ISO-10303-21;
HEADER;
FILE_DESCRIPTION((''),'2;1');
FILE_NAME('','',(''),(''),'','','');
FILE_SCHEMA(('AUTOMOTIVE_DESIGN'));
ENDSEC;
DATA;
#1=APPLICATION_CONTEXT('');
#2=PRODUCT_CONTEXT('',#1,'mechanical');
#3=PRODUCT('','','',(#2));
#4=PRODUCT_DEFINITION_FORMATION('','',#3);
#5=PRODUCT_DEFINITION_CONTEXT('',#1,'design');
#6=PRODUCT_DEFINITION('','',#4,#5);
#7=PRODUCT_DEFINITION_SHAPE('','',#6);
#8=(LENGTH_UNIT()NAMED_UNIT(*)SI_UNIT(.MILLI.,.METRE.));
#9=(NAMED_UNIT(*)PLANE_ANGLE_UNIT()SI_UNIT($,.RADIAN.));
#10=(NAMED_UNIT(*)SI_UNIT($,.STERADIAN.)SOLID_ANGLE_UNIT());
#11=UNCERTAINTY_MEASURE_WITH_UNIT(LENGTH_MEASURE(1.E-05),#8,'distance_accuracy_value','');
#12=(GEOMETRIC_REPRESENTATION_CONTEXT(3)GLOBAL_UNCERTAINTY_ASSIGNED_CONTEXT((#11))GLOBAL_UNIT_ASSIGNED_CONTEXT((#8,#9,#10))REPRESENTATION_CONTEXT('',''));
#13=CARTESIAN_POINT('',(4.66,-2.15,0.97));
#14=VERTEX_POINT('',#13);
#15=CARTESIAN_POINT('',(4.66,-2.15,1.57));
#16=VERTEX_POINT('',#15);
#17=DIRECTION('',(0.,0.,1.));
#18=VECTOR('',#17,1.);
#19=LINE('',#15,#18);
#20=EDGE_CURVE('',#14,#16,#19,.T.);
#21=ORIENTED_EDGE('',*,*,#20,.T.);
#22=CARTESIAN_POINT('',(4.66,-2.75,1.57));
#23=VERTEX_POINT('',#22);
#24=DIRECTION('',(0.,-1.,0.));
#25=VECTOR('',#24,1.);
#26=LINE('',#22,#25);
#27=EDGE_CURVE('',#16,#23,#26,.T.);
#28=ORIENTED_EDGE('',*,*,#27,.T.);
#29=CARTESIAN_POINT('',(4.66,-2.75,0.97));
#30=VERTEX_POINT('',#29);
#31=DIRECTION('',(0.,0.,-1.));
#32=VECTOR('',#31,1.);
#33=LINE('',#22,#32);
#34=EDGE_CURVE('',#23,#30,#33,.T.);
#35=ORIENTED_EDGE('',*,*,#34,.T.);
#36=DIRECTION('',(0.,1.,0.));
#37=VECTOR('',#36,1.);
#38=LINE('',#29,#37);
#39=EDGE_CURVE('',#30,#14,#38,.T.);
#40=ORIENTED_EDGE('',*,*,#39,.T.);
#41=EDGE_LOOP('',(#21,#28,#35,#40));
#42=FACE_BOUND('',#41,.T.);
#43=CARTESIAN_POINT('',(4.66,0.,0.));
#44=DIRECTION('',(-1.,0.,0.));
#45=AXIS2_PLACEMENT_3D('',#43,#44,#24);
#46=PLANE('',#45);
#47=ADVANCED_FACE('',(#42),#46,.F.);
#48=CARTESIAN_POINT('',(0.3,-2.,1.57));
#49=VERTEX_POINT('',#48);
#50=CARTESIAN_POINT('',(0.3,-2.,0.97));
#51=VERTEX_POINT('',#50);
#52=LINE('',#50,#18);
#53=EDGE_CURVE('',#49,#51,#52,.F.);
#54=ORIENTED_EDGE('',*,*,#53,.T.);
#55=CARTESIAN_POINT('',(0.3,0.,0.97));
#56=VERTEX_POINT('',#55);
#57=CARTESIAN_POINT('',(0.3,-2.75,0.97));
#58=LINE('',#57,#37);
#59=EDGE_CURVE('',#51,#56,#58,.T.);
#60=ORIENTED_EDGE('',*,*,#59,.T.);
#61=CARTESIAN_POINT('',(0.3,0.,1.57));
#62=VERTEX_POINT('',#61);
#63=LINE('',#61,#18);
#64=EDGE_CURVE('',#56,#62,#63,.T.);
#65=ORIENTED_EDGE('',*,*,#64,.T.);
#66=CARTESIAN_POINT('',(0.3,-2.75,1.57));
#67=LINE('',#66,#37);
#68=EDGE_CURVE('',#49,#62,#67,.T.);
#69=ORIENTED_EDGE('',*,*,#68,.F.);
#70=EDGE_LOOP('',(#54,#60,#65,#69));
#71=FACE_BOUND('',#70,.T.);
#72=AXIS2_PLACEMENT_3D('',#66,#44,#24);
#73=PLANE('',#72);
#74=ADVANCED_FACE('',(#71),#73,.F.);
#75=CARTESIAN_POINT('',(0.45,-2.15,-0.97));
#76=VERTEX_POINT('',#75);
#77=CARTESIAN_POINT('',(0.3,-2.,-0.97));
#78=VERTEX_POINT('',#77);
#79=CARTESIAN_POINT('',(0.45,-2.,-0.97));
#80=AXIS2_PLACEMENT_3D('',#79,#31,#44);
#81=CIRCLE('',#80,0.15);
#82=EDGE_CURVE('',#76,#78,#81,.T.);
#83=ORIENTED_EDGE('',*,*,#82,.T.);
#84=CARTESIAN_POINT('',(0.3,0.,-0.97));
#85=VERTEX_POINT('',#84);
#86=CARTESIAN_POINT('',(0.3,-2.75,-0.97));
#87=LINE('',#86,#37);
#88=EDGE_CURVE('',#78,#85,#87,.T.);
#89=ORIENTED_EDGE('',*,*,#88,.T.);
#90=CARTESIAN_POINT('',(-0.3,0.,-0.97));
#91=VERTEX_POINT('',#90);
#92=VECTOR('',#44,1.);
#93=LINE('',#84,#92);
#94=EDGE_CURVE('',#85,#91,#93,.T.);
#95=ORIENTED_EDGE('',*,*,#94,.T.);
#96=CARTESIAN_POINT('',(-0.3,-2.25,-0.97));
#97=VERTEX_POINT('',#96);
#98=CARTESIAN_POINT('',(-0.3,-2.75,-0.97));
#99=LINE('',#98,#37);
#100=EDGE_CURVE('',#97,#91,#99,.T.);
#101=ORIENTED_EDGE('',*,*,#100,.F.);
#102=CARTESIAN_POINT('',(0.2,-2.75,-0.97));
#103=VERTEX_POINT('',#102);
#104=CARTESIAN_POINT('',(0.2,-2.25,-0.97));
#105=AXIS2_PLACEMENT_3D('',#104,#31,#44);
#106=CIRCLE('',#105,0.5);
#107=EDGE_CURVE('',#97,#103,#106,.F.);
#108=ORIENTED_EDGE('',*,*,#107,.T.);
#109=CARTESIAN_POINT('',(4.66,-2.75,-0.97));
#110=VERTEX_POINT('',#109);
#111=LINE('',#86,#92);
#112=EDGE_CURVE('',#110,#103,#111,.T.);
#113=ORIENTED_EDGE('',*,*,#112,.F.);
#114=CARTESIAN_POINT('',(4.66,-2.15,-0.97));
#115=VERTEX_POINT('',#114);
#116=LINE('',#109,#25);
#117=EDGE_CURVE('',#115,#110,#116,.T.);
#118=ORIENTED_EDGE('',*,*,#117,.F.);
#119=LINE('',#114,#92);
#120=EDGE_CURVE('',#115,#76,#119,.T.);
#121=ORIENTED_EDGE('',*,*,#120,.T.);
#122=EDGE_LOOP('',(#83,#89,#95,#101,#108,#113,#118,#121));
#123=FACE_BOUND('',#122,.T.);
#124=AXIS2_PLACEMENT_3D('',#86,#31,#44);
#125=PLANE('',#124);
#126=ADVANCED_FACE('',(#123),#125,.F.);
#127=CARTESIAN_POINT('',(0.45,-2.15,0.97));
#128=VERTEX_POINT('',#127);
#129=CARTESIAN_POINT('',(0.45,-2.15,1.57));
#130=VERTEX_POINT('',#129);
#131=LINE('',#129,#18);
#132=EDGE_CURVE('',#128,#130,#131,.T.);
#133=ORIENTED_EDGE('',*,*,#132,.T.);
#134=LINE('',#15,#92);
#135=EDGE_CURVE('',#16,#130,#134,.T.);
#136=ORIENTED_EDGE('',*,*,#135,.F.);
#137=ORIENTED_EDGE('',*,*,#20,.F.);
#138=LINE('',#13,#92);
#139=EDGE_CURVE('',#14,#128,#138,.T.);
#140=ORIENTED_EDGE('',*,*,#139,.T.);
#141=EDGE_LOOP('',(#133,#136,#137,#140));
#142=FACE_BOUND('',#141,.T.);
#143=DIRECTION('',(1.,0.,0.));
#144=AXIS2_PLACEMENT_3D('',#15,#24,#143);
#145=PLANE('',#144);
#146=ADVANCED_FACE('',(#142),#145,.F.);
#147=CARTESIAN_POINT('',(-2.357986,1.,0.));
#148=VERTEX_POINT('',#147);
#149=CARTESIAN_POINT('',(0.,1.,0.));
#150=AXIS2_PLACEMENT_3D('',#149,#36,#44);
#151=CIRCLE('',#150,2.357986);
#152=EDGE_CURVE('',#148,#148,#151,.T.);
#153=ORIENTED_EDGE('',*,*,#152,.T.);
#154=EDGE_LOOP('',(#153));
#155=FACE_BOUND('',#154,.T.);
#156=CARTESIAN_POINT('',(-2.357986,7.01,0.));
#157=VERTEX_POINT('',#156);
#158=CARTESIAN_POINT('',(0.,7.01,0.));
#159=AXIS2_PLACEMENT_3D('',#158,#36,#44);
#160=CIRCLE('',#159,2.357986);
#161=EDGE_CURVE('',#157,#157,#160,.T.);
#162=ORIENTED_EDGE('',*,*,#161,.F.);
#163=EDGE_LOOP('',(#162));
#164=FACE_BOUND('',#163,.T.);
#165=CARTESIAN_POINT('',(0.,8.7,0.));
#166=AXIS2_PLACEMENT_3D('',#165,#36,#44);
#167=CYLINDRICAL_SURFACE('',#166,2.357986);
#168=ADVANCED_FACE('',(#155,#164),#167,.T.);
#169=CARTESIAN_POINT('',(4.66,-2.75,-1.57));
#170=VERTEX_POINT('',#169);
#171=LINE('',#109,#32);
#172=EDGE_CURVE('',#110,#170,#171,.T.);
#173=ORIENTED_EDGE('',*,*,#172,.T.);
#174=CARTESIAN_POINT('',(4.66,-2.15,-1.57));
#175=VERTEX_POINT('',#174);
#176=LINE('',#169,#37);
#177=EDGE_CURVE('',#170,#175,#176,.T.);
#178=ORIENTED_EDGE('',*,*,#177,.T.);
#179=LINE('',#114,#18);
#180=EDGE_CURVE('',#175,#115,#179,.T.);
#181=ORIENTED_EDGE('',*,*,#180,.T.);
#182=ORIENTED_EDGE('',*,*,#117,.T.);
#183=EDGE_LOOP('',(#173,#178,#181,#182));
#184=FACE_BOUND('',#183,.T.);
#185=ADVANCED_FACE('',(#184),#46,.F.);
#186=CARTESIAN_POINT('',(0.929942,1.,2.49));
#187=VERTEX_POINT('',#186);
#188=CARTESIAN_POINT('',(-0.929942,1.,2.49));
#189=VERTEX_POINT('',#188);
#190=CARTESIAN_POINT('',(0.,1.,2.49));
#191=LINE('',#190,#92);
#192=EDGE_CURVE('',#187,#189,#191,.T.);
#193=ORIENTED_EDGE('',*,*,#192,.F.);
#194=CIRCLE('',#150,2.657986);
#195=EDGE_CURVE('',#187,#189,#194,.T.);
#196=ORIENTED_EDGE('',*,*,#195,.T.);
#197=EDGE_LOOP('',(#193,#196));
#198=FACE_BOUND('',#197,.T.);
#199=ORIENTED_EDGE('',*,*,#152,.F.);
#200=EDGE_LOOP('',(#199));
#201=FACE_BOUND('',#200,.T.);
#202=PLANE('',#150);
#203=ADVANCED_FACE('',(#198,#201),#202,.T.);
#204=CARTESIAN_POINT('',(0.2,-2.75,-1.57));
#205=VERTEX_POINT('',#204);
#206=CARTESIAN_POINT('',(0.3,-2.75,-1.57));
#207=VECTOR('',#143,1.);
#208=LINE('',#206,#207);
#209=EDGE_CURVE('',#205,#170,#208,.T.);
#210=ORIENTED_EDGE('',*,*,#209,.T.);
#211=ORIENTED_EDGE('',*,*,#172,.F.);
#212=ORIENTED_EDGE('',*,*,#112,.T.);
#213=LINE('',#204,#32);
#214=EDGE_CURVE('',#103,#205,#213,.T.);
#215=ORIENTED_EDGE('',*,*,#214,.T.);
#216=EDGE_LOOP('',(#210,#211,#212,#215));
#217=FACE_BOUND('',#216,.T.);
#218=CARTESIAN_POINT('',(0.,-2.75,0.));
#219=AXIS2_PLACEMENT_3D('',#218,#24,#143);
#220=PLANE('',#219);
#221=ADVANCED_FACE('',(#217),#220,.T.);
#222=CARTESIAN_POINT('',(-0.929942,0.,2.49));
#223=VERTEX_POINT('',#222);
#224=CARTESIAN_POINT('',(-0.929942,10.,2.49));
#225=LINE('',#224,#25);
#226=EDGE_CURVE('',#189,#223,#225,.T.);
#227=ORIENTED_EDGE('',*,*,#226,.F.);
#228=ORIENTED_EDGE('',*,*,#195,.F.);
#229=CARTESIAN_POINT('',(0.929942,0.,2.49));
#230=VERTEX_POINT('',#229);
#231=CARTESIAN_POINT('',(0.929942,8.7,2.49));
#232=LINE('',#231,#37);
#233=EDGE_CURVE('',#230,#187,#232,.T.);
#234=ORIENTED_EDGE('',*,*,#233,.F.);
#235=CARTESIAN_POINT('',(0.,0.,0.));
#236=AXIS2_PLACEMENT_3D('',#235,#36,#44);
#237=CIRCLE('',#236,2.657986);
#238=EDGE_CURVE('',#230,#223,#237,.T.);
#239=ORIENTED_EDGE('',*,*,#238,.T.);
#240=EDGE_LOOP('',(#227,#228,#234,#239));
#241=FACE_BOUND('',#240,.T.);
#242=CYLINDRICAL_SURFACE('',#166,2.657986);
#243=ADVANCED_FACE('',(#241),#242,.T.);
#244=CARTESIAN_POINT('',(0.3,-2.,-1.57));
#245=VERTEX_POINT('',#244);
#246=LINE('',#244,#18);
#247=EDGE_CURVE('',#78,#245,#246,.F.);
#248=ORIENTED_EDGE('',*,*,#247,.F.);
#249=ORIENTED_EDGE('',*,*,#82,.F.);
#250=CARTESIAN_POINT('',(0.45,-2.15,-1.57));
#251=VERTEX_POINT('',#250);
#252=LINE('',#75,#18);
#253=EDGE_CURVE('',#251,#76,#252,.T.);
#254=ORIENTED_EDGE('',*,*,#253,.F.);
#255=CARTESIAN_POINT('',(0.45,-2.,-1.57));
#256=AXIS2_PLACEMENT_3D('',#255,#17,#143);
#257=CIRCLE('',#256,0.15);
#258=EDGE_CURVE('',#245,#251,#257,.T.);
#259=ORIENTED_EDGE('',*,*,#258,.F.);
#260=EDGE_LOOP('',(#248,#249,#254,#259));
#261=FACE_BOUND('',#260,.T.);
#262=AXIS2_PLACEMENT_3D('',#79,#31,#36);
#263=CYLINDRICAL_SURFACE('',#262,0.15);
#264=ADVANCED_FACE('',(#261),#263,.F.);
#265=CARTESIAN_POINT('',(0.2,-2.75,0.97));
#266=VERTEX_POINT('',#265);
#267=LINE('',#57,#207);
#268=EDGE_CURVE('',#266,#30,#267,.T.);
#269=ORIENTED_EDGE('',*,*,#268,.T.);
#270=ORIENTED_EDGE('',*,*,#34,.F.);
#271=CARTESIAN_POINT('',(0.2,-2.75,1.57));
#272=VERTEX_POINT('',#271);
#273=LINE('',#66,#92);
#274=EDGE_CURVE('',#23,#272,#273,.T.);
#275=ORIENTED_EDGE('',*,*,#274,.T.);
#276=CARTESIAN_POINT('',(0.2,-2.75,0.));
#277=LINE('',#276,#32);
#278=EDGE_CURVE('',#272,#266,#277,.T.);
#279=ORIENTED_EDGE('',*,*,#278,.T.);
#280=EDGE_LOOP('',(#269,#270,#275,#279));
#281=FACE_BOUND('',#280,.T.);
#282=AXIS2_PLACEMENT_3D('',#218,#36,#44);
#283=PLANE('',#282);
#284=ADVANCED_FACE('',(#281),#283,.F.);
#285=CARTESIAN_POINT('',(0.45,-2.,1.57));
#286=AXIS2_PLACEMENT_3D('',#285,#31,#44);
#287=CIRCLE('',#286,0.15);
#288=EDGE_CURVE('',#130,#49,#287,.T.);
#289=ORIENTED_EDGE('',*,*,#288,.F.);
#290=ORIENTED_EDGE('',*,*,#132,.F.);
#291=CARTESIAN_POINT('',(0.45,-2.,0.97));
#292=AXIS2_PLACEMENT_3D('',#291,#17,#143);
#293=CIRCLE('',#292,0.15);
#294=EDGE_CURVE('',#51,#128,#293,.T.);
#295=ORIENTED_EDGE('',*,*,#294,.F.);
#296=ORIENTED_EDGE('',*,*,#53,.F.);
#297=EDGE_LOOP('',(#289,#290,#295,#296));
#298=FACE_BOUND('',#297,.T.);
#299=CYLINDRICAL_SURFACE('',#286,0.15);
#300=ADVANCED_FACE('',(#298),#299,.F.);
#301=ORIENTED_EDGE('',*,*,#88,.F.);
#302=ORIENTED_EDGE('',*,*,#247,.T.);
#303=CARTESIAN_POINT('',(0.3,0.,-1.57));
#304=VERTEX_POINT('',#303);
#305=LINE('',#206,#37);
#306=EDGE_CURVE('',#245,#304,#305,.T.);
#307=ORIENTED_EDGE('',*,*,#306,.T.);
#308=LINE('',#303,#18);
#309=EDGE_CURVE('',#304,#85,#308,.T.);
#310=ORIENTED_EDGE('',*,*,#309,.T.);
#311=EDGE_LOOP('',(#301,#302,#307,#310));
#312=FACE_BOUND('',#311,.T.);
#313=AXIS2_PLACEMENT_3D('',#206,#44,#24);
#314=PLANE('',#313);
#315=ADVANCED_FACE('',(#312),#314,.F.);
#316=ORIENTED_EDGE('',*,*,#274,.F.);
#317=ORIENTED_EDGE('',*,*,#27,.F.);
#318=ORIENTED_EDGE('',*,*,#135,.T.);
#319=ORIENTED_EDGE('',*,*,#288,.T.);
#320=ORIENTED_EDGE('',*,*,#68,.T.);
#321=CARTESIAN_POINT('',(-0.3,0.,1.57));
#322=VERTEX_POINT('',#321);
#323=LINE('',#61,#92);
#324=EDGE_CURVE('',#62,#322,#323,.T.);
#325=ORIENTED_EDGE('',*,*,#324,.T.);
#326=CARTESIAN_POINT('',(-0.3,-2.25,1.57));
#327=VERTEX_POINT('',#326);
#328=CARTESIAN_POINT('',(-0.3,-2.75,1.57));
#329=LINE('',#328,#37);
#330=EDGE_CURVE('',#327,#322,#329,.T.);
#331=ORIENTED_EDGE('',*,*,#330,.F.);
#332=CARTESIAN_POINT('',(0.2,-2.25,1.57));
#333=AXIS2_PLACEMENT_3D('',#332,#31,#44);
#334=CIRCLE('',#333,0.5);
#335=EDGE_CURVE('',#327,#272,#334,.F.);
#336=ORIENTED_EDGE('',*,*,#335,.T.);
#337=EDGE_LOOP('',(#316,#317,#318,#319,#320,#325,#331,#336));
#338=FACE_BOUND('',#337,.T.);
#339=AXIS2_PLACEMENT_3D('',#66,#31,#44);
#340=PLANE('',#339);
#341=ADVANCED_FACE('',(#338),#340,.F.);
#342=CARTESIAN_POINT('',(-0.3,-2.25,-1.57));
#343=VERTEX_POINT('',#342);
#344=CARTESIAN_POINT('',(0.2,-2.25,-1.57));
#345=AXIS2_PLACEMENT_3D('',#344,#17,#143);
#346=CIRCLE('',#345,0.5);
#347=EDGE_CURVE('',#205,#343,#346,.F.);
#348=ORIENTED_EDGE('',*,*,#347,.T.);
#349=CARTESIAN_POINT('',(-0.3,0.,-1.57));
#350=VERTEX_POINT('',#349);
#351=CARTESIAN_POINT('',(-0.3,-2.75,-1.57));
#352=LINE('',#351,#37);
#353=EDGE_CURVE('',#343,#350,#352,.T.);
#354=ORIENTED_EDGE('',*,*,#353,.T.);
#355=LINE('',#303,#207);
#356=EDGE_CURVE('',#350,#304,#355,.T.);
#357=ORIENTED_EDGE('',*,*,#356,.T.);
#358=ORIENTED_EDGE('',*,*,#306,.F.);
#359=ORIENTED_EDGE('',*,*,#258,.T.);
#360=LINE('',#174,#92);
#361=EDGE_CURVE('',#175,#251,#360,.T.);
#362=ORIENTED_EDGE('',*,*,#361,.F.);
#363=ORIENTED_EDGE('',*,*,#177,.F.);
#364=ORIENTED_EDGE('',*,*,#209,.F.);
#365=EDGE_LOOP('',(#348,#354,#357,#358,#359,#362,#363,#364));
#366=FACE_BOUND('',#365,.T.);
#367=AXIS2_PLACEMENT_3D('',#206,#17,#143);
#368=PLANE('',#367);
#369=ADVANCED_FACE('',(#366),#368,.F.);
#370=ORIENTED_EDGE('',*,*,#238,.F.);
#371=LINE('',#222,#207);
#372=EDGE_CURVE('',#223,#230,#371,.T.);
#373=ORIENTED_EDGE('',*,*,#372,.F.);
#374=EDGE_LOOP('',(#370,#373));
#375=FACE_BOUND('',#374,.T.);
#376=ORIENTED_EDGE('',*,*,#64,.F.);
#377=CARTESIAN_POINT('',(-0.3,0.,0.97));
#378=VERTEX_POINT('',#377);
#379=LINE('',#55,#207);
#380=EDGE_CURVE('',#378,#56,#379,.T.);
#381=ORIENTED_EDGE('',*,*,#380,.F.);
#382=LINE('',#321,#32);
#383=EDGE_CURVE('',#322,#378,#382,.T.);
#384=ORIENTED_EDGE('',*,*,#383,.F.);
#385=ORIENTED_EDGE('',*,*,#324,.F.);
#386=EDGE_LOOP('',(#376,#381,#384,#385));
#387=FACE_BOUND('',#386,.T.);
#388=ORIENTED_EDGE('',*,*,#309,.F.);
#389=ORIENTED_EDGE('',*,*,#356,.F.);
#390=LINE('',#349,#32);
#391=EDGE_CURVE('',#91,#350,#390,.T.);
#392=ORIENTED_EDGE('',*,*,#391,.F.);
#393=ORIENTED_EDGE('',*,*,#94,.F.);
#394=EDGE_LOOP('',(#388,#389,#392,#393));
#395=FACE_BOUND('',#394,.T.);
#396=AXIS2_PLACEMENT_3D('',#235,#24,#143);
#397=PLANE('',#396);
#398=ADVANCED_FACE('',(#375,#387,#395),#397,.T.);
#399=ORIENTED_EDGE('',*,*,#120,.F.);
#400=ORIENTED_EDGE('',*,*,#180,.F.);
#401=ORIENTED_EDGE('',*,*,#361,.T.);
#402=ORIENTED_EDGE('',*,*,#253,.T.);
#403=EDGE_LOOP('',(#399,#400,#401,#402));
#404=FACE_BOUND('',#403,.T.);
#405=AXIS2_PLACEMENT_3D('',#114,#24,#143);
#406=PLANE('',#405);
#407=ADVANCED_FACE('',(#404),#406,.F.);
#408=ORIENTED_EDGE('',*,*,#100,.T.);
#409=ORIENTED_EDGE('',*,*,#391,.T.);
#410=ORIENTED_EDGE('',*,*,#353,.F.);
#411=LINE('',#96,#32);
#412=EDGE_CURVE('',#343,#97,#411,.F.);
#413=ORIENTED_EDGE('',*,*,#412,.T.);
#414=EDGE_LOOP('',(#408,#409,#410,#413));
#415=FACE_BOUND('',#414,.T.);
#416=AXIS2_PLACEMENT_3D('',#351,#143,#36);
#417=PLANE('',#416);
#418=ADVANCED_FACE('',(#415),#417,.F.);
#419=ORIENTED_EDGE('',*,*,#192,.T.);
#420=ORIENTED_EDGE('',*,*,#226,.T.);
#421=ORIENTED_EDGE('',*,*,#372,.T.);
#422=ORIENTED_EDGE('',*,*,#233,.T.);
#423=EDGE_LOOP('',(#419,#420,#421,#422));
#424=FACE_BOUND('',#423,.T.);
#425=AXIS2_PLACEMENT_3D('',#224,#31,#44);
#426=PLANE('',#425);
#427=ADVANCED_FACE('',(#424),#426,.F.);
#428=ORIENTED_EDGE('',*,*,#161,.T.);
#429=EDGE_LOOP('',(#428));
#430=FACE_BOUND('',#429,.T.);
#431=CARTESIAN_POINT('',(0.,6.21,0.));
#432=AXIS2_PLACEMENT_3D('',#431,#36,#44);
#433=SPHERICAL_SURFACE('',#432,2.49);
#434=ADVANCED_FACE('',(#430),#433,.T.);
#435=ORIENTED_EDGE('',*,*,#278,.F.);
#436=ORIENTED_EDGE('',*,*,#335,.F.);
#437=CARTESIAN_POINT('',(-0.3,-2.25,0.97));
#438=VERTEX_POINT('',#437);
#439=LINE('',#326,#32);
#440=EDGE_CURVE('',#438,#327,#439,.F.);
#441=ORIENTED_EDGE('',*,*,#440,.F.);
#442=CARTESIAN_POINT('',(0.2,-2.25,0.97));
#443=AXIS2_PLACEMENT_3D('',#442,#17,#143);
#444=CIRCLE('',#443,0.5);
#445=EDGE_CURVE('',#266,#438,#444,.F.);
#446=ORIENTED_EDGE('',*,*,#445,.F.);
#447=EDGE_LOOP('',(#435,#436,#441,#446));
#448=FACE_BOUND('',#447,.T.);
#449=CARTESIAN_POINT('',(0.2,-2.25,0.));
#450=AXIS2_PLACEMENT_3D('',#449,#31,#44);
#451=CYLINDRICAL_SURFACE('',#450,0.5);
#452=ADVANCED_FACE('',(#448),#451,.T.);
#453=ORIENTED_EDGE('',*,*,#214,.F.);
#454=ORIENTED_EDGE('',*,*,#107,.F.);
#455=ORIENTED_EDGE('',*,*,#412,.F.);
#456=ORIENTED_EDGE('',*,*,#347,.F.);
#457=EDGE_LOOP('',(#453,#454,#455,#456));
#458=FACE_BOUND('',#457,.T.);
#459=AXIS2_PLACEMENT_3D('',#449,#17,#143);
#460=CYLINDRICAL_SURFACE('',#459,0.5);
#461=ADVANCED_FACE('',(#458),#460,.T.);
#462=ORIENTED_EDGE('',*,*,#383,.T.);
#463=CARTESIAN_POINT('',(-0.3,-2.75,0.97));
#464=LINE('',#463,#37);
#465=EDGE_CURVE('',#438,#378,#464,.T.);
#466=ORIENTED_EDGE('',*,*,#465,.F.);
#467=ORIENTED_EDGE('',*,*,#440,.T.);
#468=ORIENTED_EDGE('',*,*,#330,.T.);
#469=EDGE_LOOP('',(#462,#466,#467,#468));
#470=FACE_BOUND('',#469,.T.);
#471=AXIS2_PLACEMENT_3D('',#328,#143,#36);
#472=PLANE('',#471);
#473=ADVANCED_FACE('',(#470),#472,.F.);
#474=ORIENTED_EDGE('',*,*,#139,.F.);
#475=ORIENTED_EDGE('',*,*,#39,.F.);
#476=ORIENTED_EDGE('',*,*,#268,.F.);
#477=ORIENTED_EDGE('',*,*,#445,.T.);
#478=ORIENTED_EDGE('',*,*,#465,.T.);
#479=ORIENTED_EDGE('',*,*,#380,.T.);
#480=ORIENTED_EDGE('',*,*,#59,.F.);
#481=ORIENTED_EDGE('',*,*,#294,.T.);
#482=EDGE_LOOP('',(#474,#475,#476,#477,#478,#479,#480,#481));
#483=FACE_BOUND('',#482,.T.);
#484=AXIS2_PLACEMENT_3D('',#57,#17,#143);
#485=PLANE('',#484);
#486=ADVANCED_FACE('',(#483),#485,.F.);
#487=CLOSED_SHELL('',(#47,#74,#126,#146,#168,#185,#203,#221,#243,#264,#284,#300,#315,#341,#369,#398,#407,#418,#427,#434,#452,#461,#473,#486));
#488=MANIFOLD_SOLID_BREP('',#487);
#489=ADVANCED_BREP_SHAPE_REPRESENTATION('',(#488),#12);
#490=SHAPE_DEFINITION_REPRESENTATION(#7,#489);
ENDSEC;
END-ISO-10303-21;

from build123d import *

# Parameters (mm, degrees)
IZIM2_W                     = 2
IZIM2_H                     = 0.3
KES_EKSTR_ZYON3_DEPTH       = 10
IZIM3_W                     = 0.6
IZIM3_H                     = 0.6
Y_KSEKLIK_EKSTR_ZYON1_DEPTH = 2.75
IZIM4_W                     = 0.6
IZIM4_H                     = 0.6
Y_KSEKLIK_EKSTR_ZYON2_DEPTH = 4.36
RADYUS1_R                   = 0.5
RADYUS2_R                   = 0.15
RADYUS3_R                   = 0.15


with BuildPart() as part:
    # Çizim1 → Döndür1 (revolve)
    with BuildSketch(Plane.XY, mode=Mode.PRIVATE) as d_nd_r1_sk:
        with BuildLine():
            Line((2.357986429, 1), (2.357986429, 7.01))
            ThreePointArc((2.357986429, 7.01), (1.450534384, 8.233870055), (0, 8.7))
            Line((0, 8.7), (0, 1))
            Line((0, 1), (2.357986429, 1))
        make_face()
        Polygon((2.657986429, 1), (2.357986429, 1), (0, 1), (0, 0), (2.657986429, 0), align=None)
    revolve(d_nd_r1_sk.sketch.rotate(Axis((0, 8.7, 0), (0, -1, 0)), 180), axis=Axis((0, 8.7, 0), (0, -1, 0)))

    # Çizim2 → Kes-Ekstrüzyon3 (cut)
    with BuildSketch(Plane(origin=(0, 0, 0), x_dir=(-1, 0, 0), z_dir=(0, -1, 0))):
        with Locations((-0.070058143, -2.64)):
            Rectangle(IZIM2_W, IZIM2_H)
    extrude(amount=-KES_EKSTR_ZYON3_DEPTH, mode=Mode.SUBTRACT)

    # Çizim3 → Yükseklik-Ekstrüzyon1 (add)
    with BuildSketch(Plane.XZ):
        with Locations((0, 1.27)):
            Rectangle(IZIM3_W, IZIM3_H)
        with Locations((0, -1.27)):
            Rectangle(IZIM3_W, IZIM3_H)
    extrude(amount=Y_KSEKLIK_EKSTR_ZYON1_DEPTH)

    # Çizim4 → Yükseklik-Ekstrüzyon2 (add)
    with BuildSketch(Plane(origin=(0.3, 0, 0), x_dir=(0, 0, -1), z_dir=(1, 0, 0))):
        with Locations((-1.27, -2.45)):
            Rectangle(IZIM4_W, IZIM4_H)
        with Locations((1.27, -2.45)):
            Rectangle(IZIM4_W, IZIM4_H)
    extrude(amount=Y_KSEKLIK_EKSTR_ZYON2_DEPTH)

    # Radyus1
    radyus1_edges = [part.edges().sort_by_distance(p)[0] for p in [
        (-0.3, -2.75, 1.27),
        (-0.3, -2.75, -1.27),
    ]]
    fillet(radyus1_edges, radius=RADYUS1_R)

    # Radyus2
    radyus2_edges = [part.edges().sort_by_distance(p)[0] for p in [
        (0.3, -2.15, -1.27),
    ]]
    fillet(radyus2_edges, radius=RADYUS2_R)

    # Radyus3
    radyus3_edges = [part.edges().sort_by_distance(p)[0] for p in [
        (0.3, -2.15, 1.27),
    ]]
    fillet(radyus3_edges, radius=RADYUS3_R)


solid = part.part
